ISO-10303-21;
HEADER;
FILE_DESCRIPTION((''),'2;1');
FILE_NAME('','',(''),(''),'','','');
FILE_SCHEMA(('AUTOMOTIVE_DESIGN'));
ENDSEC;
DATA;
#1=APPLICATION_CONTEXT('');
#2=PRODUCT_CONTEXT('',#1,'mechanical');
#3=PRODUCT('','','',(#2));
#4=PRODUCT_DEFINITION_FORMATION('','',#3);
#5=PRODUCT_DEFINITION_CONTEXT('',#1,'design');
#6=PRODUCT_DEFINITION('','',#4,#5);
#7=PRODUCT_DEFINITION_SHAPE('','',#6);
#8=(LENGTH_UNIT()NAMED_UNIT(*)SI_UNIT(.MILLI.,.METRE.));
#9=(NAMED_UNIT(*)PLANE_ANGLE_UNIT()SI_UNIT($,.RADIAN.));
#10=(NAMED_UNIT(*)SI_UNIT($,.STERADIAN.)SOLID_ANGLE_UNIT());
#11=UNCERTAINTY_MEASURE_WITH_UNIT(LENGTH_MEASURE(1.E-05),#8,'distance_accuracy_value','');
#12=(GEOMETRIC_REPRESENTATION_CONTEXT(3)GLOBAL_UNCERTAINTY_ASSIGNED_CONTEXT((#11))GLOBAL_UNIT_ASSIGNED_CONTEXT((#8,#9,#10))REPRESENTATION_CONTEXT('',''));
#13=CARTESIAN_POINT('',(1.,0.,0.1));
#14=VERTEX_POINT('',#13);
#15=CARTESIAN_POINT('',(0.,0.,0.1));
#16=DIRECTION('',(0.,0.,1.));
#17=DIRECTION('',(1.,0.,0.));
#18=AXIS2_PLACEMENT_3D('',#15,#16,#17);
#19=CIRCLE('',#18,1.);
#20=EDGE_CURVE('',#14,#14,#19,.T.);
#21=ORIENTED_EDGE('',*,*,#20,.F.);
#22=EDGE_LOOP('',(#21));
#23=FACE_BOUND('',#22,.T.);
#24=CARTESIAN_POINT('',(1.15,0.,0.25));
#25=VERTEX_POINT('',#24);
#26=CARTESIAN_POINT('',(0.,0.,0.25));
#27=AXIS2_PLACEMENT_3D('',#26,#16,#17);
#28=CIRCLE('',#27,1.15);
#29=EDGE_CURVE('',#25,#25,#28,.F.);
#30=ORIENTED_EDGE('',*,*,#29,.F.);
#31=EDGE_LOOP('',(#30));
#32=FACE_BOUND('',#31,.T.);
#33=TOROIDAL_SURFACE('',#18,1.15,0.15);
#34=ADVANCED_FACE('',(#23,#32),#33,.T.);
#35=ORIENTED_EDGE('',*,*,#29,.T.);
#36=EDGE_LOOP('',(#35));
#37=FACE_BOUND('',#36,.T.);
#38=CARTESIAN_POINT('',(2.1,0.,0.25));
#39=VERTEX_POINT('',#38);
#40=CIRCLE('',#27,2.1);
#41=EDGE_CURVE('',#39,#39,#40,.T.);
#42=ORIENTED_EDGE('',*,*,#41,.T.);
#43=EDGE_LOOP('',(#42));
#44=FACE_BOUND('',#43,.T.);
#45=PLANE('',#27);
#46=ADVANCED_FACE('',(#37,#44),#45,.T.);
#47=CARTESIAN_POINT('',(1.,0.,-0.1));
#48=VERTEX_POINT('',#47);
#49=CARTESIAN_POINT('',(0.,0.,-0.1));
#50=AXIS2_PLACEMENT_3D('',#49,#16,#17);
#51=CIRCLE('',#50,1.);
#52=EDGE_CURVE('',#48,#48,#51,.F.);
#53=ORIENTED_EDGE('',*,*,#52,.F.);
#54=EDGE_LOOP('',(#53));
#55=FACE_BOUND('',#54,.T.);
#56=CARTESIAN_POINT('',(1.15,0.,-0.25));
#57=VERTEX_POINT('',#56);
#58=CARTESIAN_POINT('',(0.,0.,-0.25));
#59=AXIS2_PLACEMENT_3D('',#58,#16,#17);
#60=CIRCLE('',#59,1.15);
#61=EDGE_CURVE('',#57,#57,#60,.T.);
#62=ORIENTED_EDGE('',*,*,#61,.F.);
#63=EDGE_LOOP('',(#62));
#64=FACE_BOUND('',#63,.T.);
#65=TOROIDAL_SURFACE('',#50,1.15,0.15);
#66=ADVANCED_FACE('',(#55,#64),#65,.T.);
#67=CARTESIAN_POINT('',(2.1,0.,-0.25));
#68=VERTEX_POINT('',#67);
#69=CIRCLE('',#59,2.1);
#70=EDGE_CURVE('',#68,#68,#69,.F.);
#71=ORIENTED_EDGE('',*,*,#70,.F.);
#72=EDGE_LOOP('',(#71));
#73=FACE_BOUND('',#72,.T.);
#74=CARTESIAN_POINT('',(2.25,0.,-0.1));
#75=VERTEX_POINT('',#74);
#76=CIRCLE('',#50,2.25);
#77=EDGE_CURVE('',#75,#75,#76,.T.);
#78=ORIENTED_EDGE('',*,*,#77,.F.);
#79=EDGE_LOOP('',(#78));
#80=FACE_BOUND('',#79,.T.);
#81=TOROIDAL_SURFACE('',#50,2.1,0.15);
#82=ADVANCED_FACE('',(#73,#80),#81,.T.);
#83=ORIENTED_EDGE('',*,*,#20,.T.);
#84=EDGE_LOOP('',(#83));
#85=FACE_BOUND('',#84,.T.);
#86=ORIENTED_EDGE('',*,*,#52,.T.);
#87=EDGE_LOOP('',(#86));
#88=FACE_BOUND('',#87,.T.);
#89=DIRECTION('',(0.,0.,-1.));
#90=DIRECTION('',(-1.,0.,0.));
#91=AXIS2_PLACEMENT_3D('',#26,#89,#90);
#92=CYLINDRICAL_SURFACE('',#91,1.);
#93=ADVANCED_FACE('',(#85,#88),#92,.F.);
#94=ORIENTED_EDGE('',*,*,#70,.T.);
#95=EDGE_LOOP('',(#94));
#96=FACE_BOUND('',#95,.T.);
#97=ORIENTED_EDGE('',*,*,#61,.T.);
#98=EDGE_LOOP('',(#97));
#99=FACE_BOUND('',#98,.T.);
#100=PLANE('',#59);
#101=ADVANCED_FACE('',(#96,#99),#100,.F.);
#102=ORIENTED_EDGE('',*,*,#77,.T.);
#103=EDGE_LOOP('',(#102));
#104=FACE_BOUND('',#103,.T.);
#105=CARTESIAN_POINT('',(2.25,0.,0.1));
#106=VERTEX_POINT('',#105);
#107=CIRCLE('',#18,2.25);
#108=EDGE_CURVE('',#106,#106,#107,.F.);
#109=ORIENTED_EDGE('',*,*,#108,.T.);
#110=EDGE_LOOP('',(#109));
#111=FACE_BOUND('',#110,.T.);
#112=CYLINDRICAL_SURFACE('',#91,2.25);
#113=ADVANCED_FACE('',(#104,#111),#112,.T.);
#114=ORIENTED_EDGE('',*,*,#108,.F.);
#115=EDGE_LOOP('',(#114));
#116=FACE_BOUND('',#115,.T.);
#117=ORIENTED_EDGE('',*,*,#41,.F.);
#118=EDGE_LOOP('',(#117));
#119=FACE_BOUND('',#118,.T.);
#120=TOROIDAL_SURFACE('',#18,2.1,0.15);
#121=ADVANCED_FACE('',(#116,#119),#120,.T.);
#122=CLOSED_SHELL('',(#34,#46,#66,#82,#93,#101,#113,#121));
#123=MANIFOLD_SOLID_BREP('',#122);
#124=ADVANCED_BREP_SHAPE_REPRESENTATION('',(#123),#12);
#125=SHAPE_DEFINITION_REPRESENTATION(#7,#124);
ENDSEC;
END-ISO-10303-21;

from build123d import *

# Parameters (mm, degrees)
SKETCH1_R      = 2.25
SKETCH1_R_2    = 1
EXTRUDE1_DEPTH = 0.25
FILLET1_R      = 0.15


with BuildPart() as part:
    # Sketch1 → Extrude1 (new body, symmetric)
    with BuildSketch(Plane.XY):
        Circle(SKETCH1_R)
        Circle(SKETCH1_R_2, mode=Mode.SUBTRACT)
    extrude(amount=EXTRUDE1_DEPTH, both=True)

    # Fillet1
    fillet1_edges = [part.edges().sort_by_distance(p)[0] for p in [
        (-2.25, 0, -0.25),
        (-2.25, 0, 0.25),
        (-1, 0, -0.25),
        (-1, 0, 0.25),
    ]]
    fillet(fillet1_edges, radius=FILLET1_R)


solid = part.part
